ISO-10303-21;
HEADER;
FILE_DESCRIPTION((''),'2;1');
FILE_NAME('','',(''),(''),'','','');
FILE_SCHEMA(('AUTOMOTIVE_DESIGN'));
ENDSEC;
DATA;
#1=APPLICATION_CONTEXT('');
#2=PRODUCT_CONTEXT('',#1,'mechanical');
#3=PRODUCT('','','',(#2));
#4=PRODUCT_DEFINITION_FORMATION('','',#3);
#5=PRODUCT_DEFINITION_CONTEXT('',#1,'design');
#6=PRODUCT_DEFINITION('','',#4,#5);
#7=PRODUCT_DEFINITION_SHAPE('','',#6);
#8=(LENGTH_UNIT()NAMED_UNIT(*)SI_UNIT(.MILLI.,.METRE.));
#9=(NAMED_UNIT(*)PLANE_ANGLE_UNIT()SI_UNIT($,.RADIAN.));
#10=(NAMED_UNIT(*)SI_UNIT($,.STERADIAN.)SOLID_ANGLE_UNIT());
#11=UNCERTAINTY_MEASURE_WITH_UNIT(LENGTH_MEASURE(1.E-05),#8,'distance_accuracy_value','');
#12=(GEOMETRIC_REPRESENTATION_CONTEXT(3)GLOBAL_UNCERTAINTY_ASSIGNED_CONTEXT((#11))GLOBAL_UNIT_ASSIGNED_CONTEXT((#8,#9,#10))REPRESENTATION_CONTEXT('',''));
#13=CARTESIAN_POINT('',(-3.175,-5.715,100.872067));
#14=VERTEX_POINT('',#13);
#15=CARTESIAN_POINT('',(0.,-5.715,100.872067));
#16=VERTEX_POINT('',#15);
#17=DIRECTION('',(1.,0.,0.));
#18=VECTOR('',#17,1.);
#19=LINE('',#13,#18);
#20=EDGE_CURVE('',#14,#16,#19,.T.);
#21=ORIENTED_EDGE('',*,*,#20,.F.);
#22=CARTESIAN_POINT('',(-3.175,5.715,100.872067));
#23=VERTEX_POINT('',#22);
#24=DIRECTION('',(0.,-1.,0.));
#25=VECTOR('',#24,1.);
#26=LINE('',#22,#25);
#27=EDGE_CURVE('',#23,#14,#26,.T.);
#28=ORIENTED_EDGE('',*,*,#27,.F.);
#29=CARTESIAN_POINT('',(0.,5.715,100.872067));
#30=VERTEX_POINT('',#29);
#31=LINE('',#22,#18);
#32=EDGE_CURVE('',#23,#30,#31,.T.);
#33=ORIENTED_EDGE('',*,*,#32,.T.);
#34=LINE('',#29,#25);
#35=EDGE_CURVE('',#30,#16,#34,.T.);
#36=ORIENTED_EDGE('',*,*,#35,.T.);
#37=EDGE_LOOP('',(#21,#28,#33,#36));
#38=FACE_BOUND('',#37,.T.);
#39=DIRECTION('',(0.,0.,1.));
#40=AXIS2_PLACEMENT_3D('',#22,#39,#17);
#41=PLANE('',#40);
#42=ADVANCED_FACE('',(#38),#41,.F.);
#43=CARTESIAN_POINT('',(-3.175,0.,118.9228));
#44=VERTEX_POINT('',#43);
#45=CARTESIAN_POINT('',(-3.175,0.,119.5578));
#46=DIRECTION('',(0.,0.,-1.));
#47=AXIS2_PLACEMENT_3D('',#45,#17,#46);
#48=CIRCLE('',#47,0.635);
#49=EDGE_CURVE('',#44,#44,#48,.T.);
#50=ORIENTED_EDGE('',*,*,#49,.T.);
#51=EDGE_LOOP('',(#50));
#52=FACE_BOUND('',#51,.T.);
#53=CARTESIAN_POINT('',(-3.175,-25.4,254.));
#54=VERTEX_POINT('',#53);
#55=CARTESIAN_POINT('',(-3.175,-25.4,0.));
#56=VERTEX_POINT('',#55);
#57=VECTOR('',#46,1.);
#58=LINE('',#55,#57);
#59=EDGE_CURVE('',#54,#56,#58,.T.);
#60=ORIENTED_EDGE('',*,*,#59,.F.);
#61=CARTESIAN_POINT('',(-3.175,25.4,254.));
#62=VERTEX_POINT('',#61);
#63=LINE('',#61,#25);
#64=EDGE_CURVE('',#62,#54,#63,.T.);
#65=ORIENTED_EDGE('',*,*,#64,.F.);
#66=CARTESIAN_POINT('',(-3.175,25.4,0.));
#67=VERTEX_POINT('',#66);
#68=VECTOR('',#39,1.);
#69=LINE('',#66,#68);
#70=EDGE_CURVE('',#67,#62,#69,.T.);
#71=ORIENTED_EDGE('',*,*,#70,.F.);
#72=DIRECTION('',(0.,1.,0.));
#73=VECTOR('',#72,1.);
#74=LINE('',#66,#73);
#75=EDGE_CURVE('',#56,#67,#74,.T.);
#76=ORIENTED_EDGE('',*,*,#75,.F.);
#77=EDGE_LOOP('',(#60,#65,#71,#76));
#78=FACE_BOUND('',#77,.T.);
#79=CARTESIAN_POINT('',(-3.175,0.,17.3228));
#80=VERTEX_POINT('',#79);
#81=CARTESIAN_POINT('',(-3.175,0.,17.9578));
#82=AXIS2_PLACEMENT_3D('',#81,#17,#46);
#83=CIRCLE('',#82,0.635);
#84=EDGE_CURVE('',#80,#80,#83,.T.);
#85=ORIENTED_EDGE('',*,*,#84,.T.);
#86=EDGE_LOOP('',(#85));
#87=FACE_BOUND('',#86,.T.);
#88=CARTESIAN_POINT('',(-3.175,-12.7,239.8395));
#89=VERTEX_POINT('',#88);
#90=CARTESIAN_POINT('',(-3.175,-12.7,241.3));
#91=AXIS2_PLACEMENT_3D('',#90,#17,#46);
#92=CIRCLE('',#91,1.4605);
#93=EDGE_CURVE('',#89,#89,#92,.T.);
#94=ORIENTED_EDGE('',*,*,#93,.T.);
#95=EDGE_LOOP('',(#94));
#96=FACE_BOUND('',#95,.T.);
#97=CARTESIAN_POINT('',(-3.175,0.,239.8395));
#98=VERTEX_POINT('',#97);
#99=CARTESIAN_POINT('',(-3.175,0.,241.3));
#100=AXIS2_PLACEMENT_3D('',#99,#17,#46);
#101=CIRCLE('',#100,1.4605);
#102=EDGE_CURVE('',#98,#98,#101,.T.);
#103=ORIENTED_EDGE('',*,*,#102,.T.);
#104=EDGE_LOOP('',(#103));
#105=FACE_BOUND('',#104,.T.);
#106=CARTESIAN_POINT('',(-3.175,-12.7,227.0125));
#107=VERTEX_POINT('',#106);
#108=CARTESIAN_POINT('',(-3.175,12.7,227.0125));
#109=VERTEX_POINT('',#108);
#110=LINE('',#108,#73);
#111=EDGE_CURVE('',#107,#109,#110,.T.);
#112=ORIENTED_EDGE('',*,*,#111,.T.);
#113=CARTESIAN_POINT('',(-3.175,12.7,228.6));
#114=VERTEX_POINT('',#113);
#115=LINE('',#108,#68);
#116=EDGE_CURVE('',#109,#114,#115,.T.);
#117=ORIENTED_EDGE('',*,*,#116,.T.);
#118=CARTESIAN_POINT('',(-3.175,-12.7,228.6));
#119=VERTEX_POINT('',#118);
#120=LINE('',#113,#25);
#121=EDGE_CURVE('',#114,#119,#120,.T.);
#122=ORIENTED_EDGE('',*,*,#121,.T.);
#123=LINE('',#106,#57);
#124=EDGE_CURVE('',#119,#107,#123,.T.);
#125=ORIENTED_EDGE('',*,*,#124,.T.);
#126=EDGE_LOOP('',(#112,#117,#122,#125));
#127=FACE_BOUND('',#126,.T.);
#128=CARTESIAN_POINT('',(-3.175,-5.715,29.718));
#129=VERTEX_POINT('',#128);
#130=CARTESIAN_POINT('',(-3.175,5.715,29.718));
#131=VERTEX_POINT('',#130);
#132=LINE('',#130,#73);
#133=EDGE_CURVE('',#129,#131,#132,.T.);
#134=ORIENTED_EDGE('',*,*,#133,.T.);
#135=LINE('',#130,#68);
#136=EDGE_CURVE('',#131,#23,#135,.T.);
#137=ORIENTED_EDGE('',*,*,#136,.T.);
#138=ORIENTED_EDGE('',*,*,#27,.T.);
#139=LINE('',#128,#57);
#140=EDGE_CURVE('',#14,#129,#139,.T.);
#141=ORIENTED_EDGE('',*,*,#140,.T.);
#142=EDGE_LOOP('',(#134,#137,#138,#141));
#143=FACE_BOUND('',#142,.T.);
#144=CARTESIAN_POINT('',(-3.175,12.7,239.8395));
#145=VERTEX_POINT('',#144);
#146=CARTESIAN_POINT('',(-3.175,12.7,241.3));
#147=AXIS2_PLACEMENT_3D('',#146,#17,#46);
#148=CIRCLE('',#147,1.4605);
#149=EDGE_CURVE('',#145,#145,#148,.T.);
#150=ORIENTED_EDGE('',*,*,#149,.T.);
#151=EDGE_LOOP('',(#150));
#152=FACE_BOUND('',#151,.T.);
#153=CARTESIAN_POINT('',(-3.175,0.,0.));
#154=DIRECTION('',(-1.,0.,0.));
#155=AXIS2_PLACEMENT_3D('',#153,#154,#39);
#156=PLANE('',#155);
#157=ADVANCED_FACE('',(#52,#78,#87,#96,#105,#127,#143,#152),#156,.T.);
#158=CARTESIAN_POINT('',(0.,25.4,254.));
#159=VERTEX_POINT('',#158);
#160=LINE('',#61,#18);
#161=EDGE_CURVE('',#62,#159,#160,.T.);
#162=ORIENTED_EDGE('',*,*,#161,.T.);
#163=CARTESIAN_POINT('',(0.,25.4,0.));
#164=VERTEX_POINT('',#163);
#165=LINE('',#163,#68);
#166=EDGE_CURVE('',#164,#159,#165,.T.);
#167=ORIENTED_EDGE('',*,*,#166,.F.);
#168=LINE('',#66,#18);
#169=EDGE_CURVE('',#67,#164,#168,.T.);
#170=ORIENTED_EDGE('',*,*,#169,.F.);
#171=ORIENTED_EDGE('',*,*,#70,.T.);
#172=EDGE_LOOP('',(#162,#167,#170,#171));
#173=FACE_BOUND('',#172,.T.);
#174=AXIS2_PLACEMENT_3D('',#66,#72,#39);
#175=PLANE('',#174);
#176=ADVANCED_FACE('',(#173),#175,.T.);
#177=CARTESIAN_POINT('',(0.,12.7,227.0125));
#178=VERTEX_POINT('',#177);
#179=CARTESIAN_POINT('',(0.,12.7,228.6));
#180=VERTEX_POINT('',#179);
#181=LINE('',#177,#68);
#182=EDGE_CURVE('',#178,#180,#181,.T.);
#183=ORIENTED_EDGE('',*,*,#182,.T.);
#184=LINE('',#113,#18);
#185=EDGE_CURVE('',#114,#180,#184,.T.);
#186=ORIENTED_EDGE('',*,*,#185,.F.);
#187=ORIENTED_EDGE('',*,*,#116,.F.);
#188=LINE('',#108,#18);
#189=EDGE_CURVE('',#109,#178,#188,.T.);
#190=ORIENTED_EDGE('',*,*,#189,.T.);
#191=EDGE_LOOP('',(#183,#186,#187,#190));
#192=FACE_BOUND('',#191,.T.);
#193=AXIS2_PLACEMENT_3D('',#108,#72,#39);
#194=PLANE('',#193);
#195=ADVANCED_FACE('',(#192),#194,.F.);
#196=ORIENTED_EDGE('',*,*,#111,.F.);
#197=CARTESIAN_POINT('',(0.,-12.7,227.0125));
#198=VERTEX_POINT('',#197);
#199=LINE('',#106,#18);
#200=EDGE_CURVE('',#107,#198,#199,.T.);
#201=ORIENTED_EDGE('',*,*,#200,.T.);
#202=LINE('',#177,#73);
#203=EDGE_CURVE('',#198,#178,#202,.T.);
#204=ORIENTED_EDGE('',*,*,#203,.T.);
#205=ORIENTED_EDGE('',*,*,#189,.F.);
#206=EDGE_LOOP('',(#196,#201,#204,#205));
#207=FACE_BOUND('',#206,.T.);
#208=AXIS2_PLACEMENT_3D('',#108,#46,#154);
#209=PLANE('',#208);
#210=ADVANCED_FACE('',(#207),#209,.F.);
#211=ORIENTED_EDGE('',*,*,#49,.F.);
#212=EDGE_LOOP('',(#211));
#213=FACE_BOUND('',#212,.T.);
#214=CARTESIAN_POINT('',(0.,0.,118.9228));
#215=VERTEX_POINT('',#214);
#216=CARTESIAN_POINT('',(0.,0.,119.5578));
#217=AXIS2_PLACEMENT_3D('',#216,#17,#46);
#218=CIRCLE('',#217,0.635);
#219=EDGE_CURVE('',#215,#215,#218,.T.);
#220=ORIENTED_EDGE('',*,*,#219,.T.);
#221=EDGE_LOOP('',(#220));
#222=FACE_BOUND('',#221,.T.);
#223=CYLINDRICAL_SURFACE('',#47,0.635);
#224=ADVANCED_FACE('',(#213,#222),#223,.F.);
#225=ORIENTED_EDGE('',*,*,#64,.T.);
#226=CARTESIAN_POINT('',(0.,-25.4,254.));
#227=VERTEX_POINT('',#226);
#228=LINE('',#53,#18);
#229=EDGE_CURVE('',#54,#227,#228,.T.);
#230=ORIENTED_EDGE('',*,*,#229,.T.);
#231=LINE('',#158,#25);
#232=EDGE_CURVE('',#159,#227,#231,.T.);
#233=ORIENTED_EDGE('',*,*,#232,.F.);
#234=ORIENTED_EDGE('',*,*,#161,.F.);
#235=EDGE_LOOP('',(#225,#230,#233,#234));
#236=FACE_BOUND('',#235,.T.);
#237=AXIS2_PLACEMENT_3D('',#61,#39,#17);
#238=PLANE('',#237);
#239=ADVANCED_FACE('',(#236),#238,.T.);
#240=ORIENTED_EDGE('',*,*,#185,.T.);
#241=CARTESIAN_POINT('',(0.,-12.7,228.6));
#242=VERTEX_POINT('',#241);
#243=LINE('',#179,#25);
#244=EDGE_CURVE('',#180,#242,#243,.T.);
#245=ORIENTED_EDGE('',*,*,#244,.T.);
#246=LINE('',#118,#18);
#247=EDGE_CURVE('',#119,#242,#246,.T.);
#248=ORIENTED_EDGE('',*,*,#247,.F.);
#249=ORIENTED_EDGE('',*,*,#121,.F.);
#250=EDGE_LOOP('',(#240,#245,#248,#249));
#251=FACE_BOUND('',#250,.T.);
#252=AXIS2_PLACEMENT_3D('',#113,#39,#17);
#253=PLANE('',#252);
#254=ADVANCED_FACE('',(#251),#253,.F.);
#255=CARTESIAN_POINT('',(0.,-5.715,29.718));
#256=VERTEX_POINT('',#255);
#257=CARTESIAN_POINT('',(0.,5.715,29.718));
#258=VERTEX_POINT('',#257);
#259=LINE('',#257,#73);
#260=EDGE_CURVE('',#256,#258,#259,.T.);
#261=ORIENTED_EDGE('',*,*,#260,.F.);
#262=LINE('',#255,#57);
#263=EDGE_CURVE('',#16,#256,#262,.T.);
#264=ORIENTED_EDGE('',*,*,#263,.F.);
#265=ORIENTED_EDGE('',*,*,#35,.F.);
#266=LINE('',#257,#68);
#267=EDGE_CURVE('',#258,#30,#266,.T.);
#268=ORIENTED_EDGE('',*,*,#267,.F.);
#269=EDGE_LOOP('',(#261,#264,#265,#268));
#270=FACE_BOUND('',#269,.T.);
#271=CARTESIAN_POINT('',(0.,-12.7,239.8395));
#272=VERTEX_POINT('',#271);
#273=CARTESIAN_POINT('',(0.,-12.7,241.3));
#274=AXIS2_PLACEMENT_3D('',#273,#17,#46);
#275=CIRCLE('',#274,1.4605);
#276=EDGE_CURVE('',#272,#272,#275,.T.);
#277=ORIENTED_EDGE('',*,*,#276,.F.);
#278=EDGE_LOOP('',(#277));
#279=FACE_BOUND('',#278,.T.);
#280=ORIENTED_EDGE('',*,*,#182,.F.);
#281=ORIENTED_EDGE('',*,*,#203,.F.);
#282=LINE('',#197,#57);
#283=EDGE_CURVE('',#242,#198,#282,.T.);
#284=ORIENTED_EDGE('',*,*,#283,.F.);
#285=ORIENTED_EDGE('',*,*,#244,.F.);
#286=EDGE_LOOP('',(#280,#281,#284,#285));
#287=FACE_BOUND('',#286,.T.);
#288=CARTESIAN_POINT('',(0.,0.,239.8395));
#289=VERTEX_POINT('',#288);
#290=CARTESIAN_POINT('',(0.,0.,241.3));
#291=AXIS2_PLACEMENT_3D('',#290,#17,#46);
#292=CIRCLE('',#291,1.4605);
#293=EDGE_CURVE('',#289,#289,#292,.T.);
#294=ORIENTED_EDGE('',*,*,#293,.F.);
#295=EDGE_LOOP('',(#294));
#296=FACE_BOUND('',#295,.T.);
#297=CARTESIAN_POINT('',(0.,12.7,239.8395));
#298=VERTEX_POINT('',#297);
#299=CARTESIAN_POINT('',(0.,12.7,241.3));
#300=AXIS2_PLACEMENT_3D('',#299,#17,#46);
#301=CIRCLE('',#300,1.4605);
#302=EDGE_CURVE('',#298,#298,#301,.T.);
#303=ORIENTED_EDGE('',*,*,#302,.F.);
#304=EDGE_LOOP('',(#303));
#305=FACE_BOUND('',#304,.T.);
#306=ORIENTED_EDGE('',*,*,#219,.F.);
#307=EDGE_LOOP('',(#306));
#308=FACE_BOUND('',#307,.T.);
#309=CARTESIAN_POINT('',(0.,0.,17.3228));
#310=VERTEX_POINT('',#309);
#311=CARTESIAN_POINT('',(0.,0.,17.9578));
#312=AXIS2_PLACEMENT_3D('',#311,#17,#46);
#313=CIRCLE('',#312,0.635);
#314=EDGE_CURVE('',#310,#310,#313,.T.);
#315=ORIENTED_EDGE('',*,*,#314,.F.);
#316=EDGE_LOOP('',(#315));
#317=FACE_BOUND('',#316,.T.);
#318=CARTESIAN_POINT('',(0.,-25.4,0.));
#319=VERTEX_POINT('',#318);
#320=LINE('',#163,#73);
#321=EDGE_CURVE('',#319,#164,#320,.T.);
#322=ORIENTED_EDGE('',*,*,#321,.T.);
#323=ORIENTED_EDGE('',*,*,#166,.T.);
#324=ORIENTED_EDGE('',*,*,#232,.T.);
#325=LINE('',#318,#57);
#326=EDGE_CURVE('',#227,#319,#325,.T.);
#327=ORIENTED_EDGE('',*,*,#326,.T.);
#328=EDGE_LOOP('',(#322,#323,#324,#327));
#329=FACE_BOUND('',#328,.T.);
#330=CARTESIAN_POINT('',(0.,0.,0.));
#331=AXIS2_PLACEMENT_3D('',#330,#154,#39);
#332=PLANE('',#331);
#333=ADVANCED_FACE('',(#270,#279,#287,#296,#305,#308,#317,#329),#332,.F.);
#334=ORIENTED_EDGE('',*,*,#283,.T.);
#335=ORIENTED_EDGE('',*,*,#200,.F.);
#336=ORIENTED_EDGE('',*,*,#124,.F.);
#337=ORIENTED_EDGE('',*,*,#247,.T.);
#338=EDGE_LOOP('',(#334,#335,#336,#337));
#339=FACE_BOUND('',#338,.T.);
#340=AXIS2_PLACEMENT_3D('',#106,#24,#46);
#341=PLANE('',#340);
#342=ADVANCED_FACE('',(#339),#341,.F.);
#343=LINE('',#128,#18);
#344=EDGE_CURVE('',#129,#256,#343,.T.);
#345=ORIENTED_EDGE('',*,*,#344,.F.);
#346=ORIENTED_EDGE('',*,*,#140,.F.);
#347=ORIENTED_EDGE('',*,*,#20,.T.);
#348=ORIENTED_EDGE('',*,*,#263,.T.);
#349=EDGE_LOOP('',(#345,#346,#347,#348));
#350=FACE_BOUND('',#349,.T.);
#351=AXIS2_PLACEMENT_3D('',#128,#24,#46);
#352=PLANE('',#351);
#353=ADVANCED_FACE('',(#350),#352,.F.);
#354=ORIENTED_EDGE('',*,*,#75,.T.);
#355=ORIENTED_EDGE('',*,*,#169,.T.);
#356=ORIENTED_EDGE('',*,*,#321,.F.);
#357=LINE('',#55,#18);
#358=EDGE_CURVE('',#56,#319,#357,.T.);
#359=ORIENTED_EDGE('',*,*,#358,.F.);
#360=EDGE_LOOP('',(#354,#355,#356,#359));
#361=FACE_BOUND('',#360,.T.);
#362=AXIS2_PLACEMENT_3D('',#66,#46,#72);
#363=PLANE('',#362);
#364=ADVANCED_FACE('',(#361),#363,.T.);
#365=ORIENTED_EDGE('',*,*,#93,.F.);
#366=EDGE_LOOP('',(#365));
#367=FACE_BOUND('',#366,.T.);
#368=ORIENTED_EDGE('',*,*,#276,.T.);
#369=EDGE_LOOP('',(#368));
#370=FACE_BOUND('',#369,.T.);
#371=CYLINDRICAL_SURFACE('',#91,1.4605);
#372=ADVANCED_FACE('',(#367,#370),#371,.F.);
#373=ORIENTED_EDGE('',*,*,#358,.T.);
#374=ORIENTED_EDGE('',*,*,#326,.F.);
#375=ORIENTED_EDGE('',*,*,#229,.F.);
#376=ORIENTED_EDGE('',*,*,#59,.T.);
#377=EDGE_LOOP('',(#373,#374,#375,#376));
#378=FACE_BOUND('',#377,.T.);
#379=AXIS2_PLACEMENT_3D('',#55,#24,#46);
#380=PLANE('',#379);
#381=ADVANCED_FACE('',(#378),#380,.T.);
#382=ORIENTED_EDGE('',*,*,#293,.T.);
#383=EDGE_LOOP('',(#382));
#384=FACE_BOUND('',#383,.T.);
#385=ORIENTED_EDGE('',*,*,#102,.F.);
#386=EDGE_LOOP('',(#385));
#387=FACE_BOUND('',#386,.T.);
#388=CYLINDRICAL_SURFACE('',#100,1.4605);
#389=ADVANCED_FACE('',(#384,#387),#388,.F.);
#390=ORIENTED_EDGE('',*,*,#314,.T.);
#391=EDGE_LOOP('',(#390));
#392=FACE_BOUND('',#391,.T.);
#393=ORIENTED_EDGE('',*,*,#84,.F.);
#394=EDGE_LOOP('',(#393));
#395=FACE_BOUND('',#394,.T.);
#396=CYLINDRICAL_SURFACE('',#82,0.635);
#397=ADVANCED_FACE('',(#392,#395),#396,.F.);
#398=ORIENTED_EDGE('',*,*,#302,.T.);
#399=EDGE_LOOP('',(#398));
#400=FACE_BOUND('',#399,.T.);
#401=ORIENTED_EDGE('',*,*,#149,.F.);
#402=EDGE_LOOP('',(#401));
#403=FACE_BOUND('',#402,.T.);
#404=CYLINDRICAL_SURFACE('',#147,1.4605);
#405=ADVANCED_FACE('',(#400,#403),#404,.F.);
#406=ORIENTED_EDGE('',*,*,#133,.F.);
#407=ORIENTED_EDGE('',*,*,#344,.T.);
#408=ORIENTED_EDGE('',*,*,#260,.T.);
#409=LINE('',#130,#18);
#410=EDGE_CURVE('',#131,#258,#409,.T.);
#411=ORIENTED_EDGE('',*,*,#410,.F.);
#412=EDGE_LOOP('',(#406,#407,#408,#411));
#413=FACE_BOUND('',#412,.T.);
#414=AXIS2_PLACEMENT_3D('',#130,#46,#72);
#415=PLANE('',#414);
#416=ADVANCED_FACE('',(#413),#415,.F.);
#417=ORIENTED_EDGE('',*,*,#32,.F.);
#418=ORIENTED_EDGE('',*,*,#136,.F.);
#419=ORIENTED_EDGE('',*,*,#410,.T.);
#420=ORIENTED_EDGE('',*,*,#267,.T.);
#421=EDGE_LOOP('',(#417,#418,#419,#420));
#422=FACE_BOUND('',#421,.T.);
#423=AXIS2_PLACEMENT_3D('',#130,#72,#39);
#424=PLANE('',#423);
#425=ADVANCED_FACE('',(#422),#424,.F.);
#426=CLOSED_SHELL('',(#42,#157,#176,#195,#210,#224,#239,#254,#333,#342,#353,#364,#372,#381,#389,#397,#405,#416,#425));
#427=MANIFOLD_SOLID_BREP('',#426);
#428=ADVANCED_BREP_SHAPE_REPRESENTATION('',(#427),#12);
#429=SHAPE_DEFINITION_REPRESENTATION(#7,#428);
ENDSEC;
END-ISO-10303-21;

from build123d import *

# Parameters (mm, degrees)
SKETCH1_W           = 254
SKETCH1_H           = 50.8
SKETCH1_R           = 0.635
SKETCH1_R_2         = 1.4605
SKETCH1_W_2         = 71.154066826
SKETCH1_H_2         = 11.43
SKETCH1_W_3         = 1.5875
SKETCH1_H_3         = 25.4
BOSS_EXTRUDE1_DEPTH = 3.175


with BuildPart() as part:
    # Sketch1 → Boss-Extrude1 (new body)
    with BuildSketch(Plane(origin=(0, 0, 0), x_dir=(0, 0, -1), z_dir=(1, 0, 0))):
        with Locations((-127, 0)):
            Rectangle(SKETCH1_W, SKETCH1_H)
        with Locations((-17.9578, 0)):
            Circle(SKETCH1_R, mode=Mode.SUBTRACT)
        with Locations((-119.5578, 0)):
            Circle(SKETCH1_R, mode=Mode.SUBTRACT)
        with Locations((-241.3, 0)):
            Circle(SKETCH1_R_2, mode=Mode.SUBTRACT)
        with Locations((-241.3, 12.7)):
            Circle(SKETCH1_R_2, mode=Mode.SUBTRACT)
        with Locations((-241.3, -12.7)):
            Circle(SKETCH1_R_2, mode=Mode.SUBTRACT)
        with Locations((-65.295033413, 0)):
            Rectangle(SKETCH1_W_2, SKETCH1_H_2, mode=Mode.SUBTRACT)
        with Locations((-227.80625, 0)):
            Rectangle(SKETCH1_W_3, SKETCH1_H_3, mode=Mode.SUBTRACT)
    extrude(amount=-BOSS_EXTRUDE1_DEPTH)


solid = part.part
